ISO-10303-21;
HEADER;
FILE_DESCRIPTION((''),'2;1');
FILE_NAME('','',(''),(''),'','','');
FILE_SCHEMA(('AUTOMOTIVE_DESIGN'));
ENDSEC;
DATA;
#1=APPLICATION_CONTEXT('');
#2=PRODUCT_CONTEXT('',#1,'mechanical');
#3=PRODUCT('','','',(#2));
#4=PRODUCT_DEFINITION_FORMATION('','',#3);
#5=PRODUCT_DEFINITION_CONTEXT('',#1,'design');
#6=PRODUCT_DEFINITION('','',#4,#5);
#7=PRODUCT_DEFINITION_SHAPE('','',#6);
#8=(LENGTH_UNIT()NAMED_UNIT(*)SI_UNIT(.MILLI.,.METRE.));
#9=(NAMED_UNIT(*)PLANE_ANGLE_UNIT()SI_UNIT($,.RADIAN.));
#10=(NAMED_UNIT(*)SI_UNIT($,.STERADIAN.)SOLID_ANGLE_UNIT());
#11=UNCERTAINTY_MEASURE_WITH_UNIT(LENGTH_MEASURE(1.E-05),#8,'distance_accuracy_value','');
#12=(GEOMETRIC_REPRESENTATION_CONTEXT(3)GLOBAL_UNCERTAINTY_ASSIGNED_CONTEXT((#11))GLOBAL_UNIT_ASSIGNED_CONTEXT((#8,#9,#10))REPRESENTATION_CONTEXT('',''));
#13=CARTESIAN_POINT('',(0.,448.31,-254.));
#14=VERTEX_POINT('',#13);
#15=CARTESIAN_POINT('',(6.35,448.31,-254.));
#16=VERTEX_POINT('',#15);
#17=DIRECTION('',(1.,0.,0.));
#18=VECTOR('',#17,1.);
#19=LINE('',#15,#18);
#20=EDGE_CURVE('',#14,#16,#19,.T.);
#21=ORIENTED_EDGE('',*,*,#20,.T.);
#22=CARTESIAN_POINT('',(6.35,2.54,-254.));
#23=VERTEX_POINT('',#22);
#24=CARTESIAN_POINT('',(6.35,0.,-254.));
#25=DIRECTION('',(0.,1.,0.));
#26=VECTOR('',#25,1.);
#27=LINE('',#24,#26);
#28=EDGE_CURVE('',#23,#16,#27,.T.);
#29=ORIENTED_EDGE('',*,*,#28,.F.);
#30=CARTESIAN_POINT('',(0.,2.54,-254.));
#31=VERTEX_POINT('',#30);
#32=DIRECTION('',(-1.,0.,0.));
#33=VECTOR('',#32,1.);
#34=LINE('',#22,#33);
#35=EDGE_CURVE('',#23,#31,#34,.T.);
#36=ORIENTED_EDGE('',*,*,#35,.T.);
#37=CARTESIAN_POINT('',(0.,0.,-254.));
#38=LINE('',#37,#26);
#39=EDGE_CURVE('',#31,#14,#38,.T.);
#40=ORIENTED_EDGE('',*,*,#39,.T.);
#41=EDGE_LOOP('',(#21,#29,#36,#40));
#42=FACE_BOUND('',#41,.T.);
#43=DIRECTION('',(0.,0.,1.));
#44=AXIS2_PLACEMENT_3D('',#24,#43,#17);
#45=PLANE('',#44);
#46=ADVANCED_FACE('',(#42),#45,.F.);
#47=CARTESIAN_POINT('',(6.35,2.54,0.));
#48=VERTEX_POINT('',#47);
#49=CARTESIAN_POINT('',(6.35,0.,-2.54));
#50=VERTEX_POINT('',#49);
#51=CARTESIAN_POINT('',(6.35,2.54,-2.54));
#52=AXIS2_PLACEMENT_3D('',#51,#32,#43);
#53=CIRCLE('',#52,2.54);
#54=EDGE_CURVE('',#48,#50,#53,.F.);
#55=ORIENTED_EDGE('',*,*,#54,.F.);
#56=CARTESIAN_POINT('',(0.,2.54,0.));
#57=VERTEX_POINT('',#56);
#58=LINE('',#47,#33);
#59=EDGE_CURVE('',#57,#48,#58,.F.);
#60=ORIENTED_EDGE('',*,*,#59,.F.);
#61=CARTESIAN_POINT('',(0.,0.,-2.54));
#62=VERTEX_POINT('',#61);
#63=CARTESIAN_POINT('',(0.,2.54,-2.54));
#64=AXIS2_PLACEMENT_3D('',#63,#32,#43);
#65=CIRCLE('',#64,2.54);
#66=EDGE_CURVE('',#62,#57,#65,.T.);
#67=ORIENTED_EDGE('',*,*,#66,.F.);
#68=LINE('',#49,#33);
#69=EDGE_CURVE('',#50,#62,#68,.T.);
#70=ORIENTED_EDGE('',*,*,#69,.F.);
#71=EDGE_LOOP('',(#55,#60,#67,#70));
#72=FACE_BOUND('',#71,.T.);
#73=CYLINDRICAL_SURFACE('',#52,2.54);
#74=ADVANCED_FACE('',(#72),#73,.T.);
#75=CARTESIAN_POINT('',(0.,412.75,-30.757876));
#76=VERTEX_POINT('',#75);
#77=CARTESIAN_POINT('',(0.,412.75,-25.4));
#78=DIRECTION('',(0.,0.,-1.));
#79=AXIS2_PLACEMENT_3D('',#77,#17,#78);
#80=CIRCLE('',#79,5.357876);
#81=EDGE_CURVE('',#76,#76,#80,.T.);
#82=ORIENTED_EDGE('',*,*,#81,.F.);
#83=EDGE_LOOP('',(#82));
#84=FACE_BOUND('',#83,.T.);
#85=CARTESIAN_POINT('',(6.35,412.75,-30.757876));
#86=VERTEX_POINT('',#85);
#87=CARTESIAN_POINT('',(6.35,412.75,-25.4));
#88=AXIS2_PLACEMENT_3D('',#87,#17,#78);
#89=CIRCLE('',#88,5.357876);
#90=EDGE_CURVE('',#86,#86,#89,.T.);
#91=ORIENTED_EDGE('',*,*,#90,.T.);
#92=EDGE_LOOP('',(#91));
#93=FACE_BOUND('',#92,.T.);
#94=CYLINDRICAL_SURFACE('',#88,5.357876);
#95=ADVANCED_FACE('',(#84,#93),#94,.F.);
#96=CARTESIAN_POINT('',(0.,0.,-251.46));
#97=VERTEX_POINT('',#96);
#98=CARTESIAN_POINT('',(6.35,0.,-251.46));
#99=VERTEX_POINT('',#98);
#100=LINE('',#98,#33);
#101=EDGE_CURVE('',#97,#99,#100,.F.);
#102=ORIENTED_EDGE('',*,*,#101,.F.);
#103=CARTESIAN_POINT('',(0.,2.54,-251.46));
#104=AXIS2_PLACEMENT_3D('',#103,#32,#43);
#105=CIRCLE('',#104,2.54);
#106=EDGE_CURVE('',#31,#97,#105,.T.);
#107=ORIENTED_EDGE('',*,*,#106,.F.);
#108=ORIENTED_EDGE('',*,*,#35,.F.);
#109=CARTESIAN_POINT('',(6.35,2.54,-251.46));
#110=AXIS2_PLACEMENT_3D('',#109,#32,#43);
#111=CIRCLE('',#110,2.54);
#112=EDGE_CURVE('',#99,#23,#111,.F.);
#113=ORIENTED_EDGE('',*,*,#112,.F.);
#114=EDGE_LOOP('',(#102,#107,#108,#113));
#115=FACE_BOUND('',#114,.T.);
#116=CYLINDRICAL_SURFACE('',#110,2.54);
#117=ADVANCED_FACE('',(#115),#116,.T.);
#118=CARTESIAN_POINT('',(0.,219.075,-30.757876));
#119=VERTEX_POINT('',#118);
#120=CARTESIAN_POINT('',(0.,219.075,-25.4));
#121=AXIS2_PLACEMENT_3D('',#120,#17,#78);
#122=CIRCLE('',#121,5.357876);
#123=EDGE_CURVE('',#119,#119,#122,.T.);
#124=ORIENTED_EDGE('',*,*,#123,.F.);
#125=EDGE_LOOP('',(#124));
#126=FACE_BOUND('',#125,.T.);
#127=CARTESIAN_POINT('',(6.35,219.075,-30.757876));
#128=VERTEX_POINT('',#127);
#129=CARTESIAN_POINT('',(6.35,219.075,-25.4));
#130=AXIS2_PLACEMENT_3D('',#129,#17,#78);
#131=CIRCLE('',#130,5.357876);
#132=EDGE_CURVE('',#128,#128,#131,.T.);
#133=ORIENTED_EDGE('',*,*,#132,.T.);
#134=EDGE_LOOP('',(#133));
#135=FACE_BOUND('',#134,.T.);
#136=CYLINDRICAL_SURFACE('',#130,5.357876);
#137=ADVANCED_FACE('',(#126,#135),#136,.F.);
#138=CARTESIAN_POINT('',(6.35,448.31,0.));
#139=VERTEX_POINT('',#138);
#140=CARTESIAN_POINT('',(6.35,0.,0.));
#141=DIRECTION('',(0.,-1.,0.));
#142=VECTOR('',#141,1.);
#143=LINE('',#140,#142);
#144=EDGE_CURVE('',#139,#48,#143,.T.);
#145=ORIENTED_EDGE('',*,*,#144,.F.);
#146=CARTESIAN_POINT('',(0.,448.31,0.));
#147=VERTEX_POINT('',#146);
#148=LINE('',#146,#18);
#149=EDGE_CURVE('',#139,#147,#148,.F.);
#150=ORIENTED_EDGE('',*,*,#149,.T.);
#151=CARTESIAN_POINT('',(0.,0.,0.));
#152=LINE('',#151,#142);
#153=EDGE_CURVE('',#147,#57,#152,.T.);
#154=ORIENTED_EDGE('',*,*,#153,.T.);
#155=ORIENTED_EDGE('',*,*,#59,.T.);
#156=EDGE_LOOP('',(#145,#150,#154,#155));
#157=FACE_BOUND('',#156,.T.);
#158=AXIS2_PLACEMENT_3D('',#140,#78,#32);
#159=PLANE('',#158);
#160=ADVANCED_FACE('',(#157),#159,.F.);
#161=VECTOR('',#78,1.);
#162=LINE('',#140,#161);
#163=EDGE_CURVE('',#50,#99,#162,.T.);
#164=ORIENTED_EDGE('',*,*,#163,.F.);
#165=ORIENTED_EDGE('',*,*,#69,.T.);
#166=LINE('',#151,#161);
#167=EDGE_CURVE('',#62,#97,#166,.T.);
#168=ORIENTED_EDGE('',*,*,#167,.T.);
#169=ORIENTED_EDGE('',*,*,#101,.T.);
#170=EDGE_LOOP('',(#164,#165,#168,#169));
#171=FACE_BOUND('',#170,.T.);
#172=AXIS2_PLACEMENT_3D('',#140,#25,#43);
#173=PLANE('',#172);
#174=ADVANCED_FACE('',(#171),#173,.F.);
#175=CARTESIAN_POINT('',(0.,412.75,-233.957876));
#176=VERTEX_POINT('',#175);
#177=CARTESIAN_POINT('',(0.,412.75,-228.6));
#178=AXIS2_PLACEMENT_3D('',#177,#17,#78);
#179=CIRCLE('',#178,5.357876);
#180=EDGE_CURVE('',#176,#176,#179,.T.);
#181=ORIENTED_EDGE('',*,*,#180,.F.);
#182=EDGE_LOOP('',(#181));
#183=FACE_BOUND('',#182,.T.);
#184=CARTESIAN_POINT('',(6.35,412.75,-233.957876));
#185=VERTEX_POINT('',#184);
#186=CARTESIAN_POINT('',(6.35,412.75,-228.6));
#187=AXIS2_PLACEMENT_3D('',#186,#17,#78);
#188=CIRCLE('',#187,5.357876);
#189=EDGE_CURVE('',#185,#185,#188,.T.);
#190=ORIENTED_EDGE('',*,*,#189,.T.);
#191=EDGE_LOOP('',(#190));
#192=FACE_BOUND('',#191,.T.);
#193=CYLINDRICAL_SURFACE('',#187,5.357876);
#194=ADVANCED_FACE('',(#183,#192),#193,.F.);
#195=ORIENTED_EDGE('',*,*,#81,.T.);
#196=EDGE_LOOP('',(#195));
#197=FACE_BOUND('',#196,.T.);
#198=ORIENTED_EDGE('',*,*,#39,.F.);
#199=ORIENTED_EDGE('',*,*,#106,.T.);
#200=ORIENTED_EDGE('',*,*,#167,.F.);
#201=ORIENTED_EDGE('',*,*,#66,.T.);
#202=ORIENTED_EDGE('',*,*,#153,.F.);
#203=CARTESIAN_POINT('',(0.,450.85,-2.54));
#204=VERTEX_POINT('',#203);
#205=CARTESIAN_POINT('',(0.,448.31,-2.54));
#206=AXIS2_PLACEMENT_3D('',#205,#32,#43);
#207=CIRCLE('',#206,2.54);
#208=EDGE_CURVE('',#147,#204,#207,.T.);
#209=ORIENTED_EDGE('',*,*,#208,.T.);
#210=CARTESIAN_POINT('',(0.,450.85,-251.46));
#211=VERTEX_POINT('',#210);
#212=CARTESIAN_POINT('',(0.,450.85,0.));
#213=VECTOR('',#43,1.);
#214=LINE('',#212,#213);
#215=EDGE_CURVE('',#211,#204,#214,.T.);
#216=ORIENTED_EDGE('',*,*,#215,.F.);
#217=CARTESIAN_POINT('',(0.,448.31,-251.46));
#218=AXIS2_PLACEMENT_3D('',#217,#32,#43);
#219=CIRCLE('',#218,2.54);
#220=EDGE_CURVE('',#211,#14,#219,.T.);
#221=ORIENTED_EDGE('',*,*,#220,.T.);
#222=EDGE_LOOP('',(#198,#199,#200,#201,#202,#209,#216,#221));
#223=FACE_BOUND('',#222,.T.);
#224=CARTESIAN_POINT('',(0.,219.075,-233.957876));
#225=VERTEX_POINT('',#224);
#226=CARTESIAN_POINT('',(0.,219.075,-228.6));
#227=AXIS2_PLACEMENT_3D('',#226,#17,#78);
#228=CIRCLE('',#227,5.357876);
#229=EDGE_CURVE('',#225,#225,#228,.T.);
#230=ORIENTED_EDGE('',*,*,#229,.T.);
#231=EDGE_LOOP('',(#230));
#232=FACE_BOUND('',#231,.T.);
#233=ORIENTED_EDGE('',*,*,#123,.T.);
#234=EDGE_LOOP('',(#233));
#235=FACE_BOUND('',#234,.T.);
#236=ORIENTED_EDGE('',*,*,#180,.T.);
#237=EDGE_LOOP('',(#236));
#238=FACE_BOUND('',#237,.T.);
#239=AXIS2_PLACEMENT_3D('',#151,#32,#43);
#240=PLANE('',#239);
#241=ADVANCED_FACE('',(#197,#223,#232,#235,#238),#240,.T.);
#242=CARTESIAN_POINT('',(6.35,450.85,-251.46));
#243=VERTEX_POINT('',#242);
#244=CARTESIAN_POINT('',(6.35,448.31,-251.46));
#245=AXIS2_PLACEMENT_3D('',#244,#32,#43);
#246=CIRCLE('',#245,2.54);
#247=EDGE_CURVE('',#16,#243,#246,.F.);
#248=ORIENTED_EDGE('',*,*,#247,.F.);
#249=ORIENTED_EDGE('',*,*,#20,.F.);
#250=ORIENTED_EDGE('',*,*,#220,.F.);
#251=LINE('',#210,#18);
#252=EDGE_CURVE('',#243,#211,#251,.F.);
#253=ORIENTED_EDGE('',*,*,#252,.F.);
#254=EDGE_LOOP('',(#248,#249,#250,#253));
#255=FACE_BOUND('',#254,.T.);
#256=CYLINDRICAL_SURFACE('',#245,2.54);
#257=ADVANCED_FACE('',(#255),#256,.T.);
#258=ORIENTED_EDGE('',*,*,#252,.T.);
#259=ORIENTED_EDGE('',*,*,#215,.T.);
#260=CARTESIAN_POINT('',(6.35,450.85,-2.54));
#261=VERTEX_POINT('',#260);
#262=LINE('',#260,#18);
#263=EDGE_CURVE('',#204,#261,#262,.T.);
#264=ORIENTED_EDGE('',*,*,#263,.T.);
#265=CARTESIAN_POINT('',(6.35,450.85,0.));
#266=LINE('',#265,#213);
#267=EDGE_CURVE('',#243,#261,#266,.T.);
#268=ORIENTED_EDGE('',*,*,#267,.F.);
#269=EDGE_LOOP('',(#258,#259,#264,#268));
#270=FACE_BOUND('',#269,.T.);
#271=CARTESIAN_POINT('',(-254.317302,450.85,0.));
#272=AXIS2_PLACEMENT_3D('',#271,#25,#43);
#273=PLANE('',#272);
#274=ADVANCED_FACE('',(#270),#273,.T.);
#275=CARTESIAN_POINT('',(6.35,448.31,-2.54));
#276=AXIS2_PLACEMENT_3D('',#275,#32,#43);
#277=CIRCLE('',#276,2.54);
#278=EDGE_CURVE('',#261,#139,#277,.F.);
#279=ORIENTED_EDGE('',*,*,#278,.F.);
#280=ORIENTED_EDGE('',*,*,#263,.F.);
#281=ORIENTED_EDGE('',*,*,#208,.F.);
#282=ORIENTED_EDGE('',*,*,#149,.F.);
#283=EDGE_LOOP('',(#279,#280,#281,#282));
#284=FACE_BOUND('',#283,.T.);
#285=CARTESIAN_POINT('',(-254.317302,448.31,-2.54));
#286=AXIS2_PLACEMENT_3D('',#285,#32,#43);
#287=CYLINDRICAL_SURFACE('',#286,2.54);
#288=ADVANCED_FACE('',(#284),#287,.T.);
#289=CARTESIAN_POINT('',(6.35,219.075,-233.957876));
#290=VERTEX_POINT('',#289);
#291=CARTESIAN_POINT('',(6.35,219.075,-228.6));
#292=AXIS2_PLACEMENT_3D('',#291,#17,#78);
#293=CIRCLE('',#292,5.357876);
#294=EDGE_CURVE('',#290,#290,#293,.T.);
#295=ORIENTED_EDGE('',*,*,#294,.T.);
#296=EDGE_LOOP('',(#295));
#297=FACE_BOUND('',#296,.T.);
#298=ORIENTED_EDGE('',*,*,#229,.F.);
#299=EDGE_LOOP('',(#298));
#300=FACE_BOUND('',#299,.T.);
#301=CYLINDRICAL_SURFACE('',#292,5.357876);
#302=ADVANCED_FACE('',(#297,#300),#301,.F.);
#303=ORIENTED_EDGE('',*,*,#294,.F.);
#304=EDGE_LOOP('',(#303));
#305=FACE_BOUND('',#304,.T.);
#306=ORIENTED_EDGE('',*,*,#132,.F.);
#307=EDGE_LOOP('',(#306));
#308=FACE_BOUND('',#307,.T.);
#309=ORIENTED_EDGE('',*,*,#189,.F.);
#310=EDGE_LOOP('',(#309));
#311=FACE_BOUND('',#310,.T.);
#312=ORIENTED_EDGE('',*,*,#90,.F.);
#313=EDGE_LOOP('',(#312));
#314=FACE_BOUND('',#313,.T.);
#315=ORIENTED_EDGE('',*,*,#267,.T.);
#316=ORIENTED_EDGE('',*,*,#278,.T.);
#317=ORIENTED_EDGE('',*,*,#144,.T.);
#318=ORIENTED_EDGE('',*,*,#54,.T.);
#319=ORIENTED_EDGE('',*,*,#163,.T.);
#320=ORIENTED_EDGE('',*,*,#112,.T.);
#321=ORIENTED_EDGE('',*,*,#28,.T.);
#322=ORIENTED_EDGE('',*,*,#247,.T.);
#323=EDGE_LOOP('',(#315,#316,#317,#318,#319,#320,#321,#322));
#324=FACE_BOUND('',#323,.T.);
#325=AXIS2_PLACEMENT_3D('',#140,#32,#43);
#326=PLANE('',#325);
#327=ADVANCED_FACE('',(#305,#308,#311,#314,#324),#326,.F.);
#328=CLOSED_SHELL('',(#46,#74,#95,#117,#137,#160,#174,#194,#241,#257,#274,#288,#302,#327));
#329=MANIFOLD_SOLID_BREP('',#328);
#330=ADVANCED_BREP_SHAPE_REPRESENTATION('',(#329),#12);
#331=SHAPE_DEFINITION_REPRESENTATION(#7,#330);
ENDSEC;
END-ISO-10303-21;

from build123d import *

# Parameters (mm, degrees)
SKETCH1_W                        = 254
SKETCH1_H                        = 438.15
BOSS_EXTRUDE1_DEPTH              = 6.35
F_27_64_0_42188_DIAMETER_HOLE1_D = 10.715752
SKETCH4_W                        = 254
SKETCH4_H                        = 12.7
BOSS_EXTRUDE2_DEPTH              = 6.35
FILLET1_R                        = 2.54


with BuildPart() as part:
    # Sketch1 → Boss-Extrude1 (new body)
    with BuildSketch(Plane(origin=(0, 0, 0), x_dir=(0, 0, -1), z_dir=(1, 0, 0))):
        with Locations((127, 219.075)):
            Rectangle(SKETCH1_W, SKETCH1_H)
    extrude(amount=BOSS_EXTRUDE1_DEPTH)

    # 27/64 (0.42188) Diameter Hole1 (through all)
    with Locations(Plane(origin=(6.35, 0, 0), x_dir=(0, 0, -1), z_dir=(1, 0, 0))):
        with Locations((25.4, 412.75), (25.4, 219.075), (228.6, 219.075), (228.6, 412.75)):
            Hole(F_27_64_0_42188_DIAMETER_HOLE1_D / 2)

    # Sketch4 → Boss-Extrude2 (add)
    with BuildSketch(Plane(origin=(6.35, 0, 0), x_dir=(0, 0, -1), z_dir=(1, 0, 0))):
        with Locations((127, 444.5)):
            Rectangle(SKETCH4_W, SKETCH4_H)
    extrude(amount=-BOSS_EXTRUDE2_DEPTH)

    # Fillet1
    fillet1_edges = [part.edges().sort_by_distance(p)[0] for p in [
        (3.175, 450.85, -254),
        (3.175, 450.85, 0),
        (3.175, 0, -254),
        (3.175, 0, 0),
    ]]
    fillet(fillet1_edges, radius=FILLET1_R)


solid = part.part
